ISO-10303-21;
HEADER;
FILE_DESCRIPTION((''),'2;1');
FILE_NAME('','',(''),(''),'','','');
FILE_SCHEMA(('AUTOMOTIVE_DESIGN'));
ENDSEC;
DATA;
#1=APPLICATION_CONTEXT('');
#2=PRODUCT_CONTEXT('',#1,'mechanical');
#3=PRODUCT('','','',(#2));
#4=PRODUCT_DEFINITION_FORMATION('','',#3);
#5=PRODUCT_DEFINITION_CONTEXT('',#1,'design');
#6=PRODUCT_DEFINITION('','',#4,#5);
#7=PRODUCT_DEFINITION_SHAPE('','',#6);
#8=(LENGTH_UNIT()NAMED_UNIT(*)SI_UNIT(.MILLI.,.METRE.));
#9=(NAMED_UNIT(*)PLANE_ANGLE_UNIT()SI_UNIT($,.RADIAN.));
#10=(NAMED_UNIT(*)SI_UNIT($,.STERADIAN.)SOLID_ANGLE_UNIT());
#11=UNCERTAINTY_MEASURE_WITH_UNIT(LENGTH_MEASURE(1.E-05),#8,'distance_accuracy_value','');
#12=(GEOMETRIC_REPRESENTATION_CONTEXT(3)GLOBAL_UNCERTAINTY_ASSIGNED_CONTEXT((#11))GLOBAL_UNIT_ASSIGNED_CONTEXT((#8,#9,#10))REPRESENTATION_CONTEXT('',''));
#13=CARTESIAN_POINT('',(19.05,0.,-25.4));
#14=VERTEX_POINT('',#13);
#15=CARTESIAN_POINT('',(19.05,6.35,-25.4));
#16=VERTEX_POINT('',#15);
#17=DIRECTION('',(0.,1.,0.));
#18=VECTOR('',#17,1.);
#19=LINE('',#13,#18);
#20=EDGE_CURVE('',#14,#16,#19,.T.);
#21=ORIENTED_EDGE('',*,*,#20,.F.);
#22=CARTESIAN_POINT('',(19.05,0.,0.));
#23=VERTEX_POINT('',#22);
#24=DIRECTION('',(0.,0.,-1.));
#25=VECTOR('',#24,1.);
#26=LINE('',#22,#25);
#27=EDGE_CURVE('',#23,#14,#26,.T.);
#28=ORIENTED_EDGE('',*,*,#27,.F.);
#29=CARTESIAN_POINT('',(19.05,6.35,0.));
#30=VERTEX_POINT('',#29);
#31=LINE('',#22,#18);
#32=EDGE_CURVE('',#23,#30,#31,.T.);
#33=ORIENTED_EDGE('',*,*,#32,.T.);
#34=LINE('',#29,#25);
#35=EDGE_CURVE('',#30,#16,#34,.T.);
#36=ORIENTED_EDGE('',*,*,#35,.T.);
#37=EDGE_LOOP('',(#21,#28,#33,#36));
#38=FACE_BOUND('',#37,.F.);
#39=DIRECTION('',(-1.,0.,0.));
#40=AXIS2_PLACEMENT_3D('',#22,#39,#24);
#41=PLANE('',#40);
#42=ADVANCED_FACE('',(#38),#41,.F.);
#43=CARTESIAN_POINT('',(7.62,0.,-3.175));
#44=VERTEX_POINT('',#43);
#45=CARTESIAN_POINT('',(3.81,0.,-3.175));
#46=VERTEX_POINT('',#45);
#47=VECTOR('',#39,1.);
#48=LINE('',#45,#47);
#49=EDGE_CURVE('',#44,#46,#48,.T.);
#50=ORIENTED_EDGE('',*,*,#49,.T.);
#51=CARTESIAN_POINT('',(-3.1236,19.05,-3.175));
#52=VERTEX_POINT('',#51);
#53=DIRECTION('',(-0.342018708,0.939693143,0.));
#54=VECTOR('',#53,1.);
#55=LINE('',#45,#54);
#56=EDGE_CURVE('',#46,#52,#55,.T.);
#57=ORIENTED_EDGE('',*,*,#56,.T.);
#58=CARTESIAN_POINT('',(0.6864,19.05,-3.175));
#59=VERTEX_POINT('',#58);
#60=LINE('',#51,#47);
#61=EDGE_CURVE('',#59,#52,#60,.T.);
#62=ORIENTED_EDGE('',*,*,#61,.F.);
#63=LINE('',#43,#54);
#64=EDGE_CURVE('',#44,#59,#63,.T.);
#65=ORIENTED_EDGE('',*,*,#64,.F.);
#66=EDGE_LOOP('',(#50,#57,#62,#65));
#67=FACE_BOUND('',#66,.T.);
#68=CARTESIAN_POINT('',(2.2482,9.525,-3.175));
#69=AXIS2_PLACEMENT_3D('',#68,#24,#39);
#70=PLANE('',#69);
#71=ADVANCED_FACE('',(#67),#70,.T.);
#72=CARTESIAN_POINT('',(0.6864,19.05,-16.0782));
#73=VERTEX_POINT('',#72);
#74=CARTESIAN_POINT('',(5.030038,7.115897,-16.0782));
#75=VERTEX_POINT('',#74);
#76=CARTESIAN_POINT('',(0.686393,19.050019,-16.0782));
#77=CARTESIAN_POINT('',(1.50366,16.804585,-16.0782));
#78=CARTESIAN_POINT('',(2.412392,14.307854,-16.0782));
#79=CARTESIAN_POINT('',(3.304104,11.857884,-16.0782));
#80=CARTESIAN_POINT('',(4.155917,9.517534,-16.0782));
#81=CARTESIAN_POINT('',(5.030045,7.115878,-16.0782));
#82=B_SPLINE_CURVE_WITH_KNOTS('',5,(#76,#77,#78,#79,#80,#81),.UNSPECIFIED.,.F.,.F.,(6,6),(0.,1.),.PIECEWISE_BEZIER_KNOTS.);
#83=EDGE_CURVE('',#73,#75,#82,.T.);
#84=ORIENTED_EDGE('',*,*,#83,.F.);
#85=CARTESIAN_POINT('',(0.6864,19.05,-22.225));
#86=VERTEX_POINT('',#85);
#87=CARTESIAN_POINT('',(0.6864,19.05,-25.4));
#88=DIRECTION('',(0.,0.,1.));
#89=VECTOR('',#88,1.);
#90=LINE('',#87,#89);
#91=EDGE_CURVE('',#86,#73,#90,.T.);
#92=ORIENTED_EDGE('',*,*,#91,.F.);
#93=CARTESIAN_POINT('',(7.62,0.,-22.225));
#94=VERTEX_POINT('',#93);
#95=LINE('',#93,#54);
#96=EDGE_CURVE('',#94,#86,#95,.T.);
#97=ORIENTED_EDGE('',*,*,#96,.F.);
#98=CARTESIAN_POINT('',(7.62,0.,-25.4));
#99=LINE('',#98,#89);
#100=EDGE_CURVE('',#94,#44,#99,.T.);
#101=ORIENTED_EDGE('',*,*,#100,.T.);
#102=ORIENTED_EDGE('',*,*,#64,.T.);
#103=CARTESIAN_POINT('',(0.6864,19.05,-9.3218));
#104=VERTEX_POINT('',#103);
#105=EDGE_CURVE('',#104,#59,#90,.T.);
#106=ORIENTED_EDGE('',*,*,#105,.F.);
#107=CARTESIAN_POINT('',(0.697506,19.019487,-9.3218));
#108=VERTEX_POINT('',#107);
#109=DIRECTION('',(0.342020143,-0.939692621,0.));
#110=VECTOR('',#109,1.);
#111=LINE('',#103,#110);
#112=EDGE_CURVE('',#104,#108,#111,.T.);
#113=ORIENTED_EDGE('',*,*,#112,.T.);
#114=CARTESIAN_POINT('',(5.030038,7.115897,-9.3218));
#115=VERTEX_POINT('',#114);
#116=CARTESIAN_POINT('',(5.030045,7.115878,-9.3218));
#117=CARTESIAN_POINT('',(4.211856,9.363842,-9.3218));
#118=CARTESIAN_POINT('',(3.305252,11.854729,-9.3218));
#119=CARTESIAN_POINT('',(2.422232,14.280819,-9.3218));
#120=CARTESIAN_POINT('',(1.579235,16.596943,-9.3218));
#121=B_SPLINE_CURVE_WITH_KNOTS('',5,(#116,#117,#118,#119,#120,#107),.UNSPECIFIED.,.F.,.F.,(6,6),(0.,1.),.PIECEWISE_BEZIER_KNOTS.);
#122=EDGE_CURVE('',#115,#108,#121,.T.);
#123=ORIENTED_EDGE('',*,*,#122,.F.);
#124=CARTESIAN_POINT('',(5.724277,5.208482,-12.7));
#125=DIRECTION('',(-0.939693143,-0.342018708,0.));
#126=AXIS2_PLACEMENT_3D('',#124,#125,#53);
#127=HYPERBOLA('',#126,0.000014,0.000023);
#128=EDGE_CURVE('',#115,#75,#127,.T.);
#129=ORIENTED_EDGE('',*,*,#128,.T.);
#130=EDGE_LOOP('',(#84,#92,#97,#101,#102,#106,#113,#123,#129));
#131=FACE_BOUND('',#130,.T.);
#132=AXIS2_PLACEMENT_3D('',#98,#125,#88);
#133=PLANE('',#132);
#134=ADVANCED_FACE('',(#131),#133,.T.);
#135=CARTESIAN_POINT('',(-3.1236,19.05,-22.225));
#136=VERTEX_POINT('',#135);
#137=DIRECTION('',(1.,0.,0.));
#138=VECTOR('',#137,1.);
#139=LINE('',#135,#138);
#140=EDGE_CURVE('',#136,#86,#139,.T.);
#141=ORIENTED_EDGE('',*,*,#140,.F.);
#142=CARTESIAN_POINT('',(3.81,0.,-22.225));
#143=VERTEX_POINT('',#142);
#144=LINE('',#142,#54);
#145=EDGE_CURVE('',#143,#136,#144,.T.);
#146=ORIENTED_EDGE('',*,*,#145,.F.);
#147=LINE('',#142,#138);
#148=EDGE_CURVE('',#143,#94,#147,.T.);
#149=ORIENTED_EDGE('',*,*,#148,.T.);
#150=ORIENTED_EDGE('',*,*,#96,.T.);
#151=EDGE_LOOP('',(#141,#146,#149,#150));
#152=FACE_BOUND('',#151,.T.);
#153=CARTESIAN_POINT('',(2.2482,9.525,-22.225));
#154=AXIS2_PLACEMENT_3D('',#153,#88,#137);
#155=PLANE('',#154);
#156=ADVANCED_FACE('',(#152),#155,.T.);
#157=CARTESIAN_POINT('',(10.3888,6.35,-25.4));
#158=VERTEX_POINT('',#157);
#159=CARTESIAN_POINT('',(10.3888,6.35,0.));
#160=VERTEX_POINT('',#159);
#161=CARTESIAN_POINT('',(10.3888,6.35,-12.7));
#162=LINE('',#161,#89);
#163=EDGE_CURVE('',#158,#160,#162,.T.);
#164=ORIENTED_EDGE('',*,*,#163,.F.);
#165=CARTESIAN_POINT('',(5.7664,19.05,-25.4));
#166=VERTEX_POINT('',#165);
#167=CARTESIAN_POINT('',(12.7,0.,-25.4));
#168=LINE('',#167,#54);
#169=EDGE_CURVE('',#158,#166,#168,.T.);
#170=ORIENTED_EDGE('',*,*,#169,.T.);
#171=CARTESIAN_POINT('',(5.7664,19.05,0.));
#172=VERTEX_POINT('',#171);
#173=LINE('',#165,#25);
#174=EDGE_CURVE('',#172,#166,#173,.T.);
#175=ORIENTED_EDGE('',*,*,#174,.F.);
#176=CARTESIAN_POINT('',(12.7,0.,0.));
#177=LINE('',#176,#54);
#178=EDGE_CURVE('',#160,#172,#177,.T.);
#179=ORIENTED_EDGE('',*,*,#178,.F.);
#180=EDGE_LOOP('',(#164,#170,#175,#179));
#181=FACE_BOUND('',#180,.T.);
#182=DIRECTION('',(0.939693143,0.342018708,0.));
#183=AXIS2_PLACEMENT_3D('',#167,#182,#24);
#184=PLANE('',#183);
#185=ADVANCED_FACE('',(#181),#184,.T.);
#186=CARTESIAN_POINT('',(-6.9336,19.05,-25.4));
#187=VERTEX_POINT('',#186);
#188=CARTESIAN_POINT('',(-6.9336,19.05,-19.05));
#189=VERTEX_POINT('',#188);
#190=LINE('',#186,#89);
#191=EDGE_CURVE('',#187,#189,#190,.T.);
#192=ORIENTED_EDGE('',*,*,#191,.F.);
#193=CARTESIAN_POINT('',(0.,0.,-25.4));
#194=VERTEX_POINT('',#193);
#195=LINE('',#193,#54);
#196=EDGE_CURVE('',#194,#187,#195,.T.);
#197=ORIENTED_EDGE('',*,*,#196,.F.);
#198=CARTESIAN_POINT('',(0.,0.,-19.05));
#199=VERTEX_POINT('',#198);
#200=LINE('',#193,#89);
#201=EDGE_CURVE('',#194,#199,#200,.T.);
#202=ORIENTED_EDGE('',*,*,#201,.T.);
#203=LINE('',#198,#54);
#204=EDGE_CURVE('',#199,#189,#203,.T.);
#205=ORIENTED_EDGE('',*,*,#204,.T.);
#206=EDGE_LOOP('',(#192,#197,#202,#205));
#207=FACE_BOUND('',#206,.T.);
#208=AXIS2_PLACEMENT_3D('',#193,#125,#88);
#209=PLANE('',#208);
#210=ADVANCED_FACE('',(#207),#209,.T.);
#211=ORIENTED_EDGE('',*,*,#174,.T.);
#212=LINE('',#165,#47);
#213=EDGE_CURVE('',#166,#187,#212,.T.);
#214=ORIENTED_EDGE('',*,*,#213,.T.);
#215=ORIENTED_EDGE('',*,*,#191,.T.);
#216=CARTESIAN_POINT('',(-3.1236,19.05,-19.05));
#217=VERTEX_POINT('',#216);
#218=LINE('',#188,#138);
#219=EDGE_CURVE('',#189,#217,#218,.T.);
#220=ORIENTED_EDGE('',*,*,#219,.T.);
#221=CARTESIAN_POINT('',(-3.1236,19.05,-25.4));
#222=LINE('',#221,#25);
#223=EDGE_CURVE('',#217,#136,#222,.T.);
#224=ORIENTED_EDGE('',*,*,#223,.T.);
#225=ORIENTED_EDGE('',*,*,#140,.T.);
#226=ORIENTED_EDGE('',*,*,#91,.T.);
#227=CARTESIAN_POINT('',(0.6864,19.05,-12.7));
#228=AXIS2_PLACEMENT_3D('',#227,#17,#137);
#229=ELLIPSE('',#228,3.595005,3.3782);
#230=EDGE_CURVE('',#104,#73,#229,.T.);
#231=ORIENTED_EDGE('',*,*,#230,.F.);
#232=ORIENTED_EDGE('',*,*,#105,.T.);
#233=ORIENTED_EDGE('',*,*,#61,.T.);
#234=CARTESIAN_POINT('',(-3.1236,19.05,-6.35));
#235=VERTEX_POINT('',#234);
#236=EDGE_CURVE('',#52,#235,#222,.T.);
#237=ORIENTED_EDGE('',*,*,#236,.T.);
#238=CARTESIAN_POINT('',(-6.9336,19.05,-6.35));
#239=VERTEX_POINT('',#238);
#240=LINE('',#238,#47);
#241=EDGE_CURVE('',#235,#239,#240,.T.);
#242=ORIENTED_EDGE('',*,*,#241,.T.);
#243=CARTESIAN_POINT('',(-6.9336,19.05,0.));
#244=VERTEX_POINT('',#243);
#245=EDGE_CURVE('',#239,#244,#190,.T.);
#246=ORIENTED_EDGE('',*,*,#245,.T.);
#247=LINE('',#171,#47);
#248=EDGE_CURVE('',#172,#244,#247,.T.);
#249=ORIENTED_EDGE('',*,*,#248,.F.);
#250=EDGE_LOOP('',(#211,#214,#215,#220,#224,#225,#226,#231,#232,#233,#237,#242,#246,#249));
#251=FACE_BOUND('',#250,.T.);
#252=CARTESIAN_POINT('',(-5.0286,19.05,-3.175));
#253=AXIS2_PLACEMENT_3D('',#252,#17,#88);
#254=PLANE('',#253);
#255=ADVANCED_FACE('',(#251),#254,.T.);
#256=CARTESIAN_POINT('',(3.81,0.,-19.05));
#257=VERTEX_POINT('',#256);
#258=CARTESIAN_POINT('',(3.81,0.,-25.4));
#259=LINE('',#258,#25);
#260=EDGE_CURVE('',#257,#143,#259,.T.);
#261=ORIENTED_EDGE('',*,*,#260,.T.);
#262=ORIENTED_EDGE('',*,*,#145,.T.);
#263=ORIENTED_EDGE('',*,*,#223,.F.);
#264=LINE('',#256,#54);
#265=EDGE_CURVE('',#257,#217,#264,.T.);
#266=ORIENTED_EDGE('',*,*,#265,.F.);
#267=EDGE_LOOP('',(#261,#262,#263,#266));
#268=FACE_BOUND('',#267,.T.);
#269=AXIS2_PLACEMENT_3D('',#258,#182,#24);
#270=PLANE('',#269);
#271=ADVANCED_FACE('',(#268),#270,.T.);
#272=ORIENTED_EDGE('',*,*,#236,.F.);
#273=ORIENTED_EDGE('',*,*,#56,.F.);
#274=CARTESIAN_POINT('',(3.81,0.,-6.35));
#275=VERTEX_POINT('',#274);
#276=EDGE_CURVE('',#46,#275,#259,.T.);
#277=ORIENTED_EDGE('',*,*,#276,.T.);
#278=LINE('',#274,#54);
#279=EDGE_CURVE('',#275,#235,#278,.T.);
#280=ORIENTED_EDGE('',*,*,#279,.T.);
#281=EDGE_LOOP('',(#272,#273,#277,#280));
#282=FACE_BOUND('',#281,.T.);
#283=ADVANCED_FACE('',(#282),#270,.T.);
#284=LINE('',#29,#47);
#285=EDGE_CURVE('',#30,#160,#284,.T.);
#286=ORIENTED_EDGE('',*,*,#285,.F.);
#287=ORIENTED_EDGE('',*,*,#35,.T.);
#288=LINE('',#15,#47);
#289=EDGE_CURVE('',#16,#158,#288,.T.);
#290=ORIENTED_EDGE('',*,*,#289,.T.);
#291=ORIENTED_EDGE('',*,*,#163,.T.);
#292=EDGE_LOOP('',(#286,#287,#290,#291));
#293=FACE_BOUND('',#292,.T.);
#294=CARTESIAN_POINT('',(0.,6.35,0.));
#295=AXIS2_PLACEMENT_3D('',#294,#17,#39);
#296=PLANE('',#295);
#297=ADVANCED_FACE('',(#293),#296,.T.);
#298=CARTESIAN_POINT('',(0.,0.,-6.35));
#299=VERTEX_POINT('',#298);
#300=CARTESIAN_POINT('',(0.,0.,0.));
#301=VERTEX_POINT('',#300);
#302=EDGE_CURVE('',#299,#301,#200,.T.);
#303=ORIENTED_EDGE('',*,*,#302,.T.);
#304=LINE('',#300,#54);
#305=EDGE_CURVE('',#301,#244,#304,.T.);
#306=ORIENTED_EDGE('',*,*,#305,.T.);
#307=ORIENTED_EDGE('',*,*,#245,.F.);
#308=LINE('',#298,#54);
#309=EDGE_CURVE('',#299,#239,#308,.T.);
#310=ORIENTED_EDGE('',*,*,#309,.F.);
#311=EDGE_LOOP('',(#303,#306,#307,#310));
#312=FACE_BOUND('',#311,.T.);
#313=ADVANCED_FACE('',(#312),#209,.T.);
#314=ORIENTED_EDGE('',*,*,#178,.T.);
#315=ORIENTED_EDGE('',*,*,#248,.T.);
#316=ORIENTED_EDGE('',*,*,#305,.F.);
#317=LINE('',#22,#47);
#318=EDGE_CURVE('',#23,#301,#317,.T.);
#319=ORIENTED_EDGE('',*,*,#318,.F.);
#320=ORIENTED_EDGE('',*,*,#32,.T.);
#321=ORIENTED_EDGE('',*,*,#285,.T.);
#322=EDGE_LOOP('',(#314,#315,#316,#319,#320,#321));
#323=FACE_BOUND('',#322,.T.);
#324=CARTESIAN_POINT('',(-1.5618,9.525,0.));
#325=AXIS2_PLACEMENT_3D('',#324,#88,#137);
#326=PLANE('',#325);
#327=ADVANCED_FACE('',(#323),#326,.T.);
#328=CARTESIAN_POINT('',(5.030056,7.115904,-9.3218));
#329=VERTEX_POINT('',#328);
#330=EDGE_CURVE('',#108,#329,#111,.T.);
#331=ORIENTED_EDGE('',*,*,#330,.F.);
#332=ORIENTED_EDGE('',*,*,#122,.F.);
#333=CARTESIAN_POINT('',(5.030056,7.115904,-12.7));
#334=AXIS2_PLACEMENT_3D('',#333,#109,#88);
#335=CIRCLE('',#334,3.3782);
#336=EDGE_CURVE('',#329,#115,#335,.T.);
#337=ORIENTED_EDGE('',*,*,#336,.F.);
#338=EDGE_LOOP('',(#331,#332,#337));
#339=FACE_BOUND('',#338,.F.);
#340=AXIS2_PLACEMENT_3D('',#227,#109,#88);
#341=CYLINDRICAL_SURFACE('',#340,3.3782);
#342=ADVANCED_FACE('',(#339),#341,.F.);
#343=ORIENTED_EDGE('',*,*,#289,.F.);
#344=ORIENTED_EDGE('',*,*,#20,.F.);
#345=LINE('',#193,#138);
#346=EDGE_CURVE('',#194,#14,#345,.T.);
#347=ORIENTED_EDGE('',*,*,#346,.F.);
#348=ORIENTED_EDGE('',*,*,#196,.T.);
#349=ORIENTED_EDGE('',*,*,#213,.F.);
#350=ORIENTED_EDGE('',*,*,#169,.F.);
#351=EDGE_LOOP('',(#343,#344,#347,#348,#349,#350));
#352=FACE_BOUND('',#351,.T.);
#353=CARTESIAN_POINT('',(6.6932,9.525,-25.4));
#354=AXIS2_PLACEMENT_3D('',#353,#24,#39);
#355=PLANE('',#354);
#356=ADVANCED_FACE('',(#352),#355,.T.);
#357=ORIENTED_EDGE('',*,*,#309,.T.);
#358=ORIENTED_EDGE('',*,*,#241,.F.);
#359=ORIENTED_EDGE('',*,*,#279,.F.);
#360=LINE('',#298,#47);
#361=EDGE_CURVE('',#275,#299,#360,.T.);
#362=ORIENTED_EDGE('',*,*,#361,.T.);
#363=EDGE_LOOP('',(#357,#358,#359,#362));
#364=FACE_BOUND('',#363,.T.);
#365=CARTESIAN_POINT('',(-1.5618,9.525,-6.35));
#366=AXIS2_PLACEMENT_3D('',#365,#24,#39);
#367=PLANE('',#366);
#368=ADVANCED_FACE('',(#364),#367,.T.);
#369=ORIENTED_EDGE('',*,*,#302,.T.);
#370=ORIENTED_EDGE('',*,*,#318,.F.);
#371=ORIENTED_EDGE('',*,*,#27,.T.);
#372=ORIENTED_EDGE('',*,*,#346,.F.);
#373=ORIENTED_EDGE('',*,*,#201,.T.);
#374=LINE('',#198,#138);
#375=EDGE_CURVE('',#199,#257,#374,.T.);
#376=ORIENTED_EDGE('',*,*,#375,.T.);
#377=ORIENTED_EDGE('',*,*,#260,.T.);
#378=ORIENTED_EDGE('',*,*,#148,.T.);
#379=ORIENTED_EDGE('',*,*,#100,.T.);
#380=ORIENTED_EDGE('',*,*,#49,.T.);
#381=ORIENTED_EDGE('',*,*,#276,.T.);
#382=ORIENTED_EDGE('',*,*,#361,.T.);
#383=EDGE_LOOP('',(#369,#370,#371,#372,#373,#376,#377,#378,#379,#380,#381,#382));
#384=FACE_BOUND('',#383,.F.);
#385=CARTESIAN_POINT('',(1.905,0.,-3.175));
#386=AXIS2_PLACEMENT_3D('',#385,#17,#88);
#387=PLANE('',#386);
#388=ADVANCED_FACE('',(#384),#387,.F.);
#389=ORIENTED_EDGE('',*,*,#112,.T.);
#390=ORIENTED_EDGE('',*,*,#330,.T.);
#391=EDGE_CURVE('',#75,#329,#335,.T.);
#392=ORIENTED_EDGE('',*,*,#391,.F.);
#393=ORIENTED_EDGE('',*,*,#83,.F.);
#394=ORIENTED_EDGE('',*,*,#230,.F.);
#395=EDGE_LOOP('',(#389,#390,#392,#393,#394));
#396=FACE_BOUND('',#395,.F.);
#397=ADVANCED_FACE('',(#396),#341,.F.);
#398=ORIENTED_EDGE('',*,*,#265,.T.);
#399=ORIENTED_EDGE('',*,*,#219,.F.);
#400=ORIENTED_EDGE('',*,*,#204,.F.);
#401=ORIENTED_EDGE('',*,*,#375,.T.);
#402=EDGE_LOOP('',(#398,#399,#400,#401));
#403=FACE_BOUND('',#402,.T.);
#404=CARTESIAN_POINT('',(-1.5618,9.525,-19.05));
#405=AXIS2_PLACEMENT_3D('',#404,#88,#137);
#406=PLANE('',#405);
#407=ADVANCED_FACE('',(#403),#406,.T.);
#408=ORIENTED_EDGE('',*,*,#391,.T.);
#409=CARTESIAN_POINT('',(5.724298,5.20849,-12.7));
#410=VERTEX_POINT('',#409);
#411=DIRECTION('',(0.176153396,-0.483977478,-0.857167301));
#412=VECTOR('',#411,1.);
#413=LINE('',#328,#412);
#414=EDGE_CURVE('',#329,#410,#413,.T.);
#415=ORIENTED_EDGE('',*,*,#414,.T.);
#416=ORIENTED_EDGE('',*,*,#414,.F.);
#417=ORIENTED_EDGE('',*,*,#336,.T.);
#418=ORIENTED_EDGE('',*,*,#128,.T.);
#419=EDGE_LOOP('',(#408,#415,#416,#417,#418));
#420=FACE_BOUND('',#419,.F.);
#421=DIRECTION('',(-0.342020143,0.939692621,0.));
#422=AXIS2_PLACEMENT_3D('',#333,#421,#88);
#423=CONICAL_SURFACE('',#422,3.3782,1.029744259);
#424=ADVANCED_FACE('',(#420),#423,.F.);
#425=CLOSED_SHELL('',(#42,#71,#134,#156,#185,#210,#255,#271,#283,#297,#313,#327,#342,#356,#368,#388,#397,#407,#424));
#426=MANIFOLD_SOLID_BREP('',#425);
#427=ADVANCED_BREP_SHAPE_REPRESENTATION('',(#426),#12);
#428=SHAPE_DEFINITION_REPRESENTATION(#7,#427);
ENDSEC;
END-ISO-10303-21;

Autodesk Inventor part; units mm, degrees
sketch "Sketch1" plane through (0, 0, 0) normal (0, 1, 0) x (-1, 0, 0)
  line L0 (0, 0) -> (-19.05, 0)
  line L1 (-19.05, 0) -> (-19.05, -25.4)
  line L2 (-19.05, -25.4) -> (0, -25.4)
  line L3 (0, -25.4) -> (0, 0)
  line L4 (0, -12.7) -> (-19.05, -12.7) construction
  line L5 (-3.81, -25.4) -> (-3.81, 0)
  line L6 (-12.7, -25.4) -> (-12.7, 0)
  line L7 (-7.62, -25.4) -> (-7.62, 0)
  line L8 (0, -19.05) -> (-3.81, -19.05)
  line L9 (-3.81, -22.225) -> (-7.62, -22.225)
  line L10 (0, -6.35) -> (-3.81, -6.35)
  line L11 (-3.81, -3.175) -> (-7.62, -3.175)
  point P0 (-3.81, -12.7)
  point P1 (-3.81, -6.35)
  point P2 (0, -6.35)
  point P3 (-7.62, -3.175)
  point P4 (-3.81, -3.175)
  dimension "d7" = 25.4
  dimension "d34" = 3.81
  dimension "d57" = 6.35
  dimension "d68" = 3.81
  dimension "d69" = 12.7
  dimension "d70" = 19.05
  dimension "d72" = 12.7
sketch "Sketch8" plane through (0, 0, 0) normal (0, 0, 1) x (1, 0, 0)
  line L0 (0, 0) -> (-6.9336, 19.05)
  line L1 (0, 0) -> (20.2726, 0) construction
  dimension "d53" = 110
  dimension "d54" = 19.05
sweep "Sweep3" add profiles "Sketch1" path "Sketch8" contours L3 L10 L5 L0 | L5 L11 L7 L0 | L7 L2 L6 L0 | L3 L2 L5 L8 | L9 L5 L2 L7
extrude "Extrusion3" add sketch "Sketch1" along normal blind 6.35 contours L7 L2 L6 L0 | L6 L2 L1 L0
ref_plane "Work Plane6" through (0.6864, 19.05, -25.4) normal (0.342, -0.9397, 0) x (0, 0, 1)
sketch "Sketch9" plane through (0.6864, 19.05, -25.4) normal (0.342, -0.9397, 0) x (0, 0, 1)
  line L0 (3.175, 0) -> (22.225, 0) construction
  point P0 (12.7, 0)
hole "Hole4" at (0.6864, 19.05, -12.7) direction (0.342, -0.9397, 0) diameter 6.7564 depth 12.7 tip angle 118
ref_plane "Work Plane7" through (-6.9336, 19.05, -25.4) normal (-1, 0, 0) x (0, 0, 1)
ref_plane "Work Plane8" through (0, 0, -6.35) normal (0, -1, 0) x (1, 0, 0)
ref_plane "Work Plane9" through (-6.9336, 19.05, -25.4) normal (-0.342, 0.9397, 0) x (0, 0, 1)
ref_plane "Work Plane10" through (10.3888, 6.35, -6.35) normal (0.342, -0.9397, 0) x (0, 0, -1)
equation "\"d34\" = slotWidth"
equation "\"d68\" = d34"
equation "\"slopeAngle\" = 70deg"
equation "\"slotWidth\" = 3.81"
properties material "Steel, Alloy"
